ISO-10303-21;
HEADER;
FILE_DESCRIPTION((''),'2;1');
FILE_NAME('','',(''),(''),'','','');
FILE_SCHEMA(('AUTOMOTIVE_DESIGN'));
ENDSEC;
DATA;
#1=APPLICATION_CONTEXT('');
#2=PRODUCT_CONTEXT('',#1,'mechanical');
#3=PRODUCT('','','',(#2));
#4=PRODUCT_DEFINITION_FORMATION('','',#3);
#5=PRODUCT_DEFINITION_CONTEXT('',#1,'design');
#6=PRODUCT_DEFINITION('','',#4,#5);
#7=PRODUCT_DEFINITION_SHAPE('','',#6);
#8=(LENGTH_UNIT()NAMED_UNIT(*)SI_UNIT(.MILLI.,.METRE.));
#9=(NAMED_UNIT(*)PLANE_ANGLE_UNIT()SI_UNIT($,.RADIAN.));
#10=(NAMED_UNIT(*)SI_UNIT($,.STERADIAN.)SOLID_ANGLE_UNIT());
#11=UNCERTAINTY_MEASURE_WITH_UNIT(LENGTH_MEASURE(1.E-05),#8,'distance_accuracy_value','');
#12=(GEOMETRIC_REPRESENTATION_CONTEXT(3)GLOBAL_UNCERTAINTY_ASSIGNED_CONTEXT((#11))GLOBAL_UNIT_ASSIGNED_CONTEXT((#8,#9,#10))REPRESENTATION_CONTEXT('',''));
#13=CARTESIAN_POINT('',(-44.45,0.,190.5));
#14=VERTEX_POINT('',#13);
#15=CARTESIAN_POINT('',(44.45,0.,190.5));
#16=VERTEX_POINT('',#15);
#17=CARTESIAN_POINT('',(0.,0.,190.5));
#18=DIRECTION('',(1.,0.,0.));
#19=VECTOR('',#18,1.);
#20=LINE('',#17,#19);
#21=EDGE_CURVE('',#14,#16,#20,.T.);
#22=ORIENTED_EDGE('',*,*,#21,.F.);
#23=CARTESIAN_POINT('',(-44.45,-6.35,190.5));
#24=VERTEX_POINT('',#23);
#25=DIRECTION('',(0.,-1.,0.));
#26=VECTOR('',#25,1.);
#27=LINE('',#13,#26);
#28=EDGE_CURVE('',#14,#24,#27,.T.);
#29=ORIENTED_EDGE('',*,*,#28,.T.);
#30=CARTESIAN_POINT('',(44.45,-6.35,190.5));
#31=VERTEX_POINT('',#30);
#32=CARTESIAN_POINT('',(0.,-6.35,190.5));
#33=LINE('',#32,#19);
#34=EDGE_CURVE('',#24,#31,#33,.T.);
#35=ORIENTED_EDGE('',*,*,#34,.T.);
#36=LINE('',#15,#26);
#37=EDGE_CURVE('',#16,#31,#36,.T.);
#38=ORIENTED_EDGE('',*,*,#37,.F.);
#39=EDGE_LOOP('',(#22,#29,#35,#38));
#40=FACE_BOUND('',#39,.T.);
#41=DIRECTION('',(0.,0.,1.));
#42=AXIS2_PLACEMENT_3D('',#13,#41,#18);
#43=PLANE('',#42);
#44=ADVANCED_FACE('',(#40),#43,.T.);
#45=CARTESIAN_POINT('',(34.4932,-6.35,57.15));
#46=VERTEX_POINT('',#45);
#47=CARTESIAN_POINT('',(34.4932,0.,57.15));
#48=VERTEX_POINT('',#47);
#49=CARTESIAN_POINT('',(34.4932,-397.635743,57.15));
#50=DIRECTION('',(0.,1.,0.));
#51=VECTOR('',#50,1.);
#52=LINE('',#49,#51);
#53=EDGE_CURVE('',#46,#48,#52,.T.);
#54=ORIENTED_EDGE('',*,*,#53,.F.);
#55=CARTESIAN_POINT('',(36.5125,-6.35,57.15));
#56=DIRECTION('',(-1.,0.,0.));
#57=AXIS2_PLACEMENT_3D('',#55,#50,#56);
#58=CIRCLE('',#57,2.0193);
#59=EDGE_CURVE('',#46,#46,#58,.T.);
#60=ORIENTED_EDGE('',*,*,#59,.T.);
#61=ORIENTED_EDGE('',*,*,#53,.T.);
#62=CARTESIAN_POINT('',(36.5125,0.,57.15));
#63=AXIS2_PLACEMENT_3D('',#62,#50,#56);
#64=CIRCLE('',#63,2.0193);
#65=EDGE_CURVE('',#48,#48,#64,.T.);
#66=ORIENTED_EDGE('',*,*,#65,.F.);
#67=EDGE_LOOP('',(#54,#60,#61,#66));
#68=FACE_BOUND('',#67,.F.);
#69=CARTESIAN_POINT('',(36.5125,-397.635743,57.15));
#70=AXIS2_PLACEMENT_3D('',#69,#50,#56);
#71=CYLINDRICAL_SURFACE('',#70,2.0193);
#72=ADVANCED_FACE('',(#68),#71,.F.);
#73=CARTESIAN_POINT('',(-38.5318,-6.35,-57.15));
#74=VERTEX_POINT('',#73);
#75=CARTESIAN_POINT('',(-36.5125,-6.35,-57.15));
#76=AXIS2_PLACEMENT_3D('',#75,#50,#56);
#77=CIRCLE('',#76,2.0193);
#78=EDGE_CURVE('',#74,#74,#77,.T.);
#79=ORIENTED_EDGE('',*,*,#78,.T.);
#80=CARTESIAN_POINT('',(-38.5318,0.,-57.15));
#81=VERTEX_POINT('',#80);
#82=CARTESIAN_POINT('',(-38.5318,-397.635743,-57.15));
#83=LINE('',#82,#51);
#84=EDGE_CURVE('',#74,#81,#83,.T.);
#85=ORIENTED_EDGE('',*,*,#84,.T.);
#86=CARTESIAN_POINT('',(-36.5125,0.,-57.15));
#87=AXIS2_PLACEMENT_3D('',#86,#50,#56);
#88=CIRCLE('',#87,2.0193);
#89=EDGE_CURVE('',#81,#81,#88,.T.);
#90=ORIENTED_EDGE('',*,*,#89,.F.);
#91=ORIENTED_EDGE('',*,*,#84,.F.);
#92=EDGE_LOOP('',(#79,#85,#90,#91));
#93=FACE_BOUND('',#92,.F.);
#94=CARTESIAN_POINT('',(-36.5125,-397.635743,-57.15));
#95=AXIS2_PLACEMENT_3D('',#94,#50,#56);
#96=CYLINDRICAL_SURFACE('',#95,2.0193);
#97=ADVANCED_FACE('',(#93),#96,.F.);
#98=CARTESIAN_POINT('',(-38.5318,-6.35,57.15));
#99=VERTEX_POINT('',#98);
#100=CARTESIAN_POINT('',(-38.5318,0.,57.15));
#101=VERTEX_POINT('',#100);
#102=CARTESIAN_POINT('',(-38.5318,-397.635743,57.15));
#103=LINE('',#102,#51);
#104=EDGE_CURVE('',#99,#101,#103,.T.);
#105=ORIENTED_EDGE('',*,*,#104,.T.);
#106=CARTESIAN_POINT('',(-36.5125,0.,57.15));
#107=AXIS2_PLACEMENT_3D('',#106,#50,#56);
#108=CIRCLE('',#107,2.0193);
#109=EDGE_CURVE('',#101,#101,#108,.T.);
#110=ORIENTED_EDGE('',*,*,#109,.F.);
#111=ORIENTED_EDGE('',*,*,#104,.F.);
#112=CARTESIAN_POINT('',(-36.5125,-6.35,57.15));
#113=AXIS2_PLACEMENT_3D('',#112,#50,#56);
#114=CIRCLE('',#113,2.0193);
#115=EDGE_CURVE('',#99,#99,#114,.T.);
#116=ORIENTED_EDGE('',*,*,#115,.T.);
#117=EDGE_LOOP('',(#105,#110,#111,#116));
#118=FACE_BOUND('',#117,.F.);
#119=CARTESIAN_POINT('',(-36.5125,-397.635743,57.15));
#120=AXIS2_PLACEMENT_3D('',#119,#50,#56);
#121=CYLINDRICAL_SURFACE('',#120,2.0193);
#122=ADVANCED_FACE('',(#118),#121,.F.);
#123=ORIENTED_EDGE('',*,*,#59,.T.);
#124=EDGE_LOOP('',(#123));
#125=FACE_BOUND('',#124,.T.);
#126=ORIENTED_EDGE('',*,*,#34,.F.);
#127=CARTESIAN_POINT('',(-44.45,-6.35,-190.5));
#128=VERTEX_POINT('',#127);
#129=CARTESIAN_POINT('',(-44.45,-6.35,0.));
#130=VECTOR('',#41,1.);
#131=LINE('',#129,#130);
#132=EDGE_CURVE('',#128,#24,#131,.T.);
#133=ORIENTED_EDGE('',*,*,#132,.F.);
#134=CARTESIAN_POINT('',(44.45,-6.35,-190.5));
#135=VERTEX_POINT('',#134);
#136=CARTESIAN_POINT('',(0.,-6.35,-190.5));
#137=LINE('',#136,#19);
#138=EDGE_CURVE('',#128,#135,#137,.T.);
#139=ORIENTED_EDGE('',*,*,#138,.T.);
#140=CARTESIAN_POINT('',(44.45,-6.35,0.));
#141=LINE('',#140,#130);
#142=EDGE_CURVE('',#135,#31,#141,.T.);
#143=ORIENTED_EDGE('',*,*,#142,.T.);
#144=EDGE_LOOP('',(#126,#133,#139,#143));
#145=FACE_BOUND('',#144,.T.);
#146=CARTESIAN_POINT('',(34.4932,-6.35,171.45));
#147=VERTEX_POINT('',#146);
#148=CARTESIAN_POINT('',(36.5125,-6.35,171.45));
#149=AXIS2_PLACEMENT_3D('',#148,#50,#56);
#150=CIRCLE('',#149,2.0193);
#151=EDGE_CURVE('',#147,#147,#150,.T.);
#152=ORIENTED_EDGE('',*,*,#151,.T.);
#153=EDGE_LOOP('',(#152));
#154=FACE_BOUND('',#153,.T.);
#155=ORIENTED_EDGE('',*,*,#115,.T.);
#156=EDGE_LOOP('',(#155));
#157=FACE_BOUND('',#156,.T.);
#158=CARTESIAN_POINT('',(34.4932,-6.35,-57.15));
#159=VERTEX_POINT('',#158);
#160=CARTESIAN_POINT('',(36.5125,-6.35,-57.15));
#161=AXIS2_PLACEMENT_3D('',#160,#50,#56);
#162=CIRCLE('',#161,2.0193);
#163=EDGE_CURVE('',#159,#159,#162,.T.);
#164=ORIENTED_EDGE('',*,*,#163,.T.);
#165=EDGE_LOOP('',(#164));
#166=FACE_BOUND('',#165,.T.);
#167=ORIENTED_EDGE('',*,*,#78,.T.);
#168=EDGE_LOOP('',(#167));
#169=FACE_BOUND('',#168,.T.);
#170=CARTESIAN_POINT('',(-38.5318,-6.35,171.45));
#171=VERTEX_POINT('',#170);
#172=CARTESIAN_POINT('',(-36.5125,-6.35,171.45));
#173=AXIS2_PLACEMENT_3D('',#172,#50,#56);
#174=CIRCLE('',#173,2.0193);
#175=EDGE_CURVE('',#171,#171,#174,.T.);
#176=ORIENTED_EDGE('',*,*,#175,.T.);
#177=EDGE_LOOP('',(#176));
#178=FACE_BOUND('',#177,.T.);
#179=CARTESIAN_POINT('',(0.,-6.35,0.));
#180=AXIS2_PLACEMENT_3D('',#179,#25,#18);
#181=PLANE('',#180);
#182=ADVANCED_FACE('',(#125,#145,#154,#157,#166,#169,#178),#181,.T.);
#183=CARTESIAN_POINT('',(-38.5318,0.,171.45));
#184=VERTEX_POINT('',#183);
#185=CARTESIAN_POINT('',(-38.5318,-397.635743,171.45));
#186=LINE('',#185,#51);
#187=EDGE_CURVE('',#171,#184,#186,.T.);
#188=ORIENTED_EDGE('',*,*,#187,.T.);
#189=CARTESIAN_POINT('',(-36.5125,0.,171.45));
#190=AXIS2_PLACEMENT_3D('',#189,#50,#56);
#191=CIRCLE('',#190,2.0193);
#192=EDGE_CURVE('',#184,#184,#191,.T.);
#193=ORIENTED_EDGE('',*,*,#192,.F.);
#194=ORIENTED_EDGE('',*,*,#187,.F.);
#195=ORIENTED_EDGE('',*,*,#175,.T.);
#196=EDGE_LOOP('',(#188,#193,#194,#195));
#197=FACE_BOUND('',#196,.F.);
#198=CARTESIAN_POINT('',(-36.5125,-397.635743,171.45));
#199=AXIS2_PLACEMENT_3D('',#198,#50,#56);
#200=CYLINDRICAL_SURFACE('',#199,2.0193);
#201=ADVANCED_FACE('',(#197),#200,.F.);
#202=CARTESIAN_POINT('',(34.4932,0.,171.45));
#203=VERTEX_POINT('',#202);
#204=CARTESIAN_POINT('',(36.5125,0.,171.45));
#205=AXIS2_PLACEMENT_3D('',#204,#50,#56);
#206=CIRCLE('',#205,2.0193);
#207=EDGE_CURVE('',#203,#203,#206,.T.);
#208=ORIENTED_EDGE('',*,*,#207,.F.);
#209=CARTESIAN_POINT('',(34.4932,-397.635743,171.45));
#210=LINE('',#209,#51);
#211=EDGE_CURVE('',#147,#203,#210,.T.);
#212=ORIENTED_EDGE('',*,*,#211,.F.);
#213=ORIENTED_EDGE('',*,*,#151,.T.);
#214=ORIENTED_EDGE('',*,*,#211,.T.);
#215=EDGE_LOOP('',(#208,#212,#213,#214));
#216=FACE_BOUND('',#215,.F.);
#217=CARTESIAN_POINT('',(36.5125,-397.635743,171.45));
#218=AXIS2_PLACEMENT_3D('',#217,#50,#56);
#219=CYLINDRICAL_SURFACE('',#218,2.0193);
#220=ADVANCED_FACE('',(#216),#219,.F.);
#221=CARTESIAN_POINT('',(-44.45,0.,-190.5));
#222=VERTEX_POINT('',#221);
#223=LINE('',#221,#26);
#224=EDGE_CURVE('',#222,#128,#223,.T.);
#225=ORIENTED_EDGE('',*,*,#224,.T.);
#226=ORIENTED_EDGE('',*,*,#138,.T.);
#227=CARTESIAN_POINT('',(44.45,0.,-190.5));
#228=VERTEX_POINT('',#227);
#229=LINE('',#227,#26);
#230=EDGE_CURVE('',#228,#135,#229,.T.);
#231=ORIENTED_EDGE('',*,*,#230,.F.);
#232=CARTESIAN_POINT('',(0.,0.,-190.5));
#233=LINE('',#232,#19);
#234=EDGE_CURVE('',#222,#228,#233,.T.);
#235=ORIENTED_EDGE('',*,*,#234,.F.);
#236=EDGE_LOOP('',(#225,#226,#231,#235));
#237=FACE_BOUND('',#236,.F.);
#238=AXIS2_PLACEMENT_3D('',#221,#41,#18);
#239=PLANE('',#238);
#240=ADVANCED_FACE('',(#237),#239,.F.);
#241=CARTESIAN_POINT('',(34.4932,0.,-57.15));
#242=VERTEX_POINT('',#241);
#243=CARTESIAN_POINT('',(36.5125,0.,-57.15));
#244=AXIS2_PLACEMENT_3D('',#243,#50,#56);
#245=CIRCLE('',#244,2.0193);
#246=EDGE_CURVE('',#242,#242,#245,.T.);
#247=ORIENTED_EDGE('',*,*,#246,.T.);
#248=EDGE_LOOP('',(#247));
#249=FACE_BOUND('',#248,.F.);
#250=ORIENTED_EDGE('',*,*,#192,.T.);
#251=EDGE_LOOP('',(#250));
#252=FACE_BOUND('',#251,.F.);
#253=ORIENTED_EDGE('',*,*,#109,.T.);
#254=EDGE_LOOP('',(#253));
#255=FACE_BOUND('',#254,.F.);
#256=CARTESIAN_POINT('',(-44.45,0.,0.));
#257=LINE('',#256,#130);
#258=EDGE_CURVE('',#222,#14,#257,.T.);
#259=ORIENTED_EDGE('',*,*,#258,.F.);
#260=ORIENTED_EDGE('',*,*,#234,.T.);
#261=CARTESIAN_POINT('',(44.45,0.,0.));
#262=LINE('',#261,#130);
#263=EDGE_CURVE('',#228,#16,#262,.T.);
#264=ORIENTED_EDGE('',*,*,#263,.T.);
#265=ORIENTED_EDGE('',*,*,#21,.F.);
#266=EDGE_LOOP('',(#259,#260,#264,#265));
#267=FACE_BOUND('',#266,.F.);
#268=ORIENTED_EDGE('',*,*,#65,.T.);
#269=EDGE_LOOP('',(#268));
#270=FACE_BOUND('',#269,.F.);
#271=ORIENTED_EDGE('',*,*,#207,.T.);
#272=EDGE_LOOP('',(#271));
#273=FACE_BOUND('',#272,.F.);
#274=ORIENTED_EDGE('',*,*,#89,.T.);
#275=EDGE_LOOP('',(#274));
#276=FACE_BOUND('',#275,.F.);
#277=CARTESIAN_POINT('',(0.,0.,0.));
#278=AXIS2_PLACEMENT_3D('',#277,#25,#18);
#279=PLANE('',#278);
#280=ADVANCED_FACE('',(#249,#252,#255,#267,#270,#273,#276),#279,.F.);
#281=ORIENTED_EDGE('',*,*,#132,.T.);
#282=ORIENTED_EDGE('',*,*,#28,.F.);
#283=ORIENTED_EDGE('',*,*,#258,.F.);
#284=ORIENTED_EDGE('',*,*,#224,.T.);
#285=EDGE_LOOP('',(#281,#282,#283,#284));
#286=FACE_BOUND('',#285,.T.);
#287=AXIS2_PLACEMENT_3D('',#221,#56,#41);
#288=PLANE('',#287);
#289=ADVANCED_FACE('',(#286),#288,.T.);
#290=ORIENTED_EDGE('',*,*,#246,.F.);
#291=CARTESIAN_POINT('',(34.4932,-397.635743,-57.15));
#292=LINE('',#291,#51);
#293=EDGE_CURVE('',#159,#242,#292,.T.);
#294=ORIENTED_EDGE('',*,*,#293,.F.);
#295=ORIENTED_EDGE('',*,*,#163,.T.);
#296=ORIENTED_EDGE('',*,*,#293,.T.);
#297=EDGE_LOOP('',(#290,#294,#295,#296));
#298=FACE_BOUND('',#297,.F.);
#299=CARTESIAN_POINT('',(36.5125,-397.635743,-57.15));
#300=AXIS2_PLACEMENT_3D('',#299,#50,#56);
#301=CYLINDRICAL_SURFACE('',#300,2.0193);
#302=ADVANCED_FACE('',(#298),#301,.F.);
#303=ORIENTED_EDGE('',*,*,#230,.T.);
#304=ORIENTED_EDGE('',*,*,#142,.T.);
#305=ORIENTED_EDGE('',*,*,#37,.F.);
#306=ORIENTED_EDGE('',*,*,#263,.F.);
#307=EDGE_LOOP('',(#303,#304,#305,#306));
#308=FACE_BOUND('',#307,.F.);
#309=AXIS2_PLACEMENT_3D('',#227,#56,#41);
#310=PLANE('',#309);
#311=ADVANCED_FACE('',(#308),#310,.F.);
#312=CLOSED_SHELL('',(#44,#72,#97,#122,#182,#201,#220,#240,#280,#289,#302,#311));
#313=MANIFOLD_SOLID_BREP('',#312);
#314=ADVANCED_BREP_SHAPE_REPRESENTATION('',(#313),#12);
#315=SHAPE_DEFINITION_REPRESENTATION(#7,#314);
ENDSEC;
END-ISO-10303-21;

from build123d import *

# Parameters (mm, degrees)
F0_W     = 88.9
F0_H     = 381
F1_DEPTH = 6.35
F3_D     = 4.0386


with BuildPart() as f1:
    # F0 (on Front) → F1 (new body)
    with BuildSketch(Plane.XZ):
        Rectangle(F0_W, F0_H)
    extrude(amount=F1_DEPTH)

    # F3 (through all)
    with Locations(Plane.XZ.offset(6.35)):
        with Locations((-36.5125, 171.45), (36.5125, 171.45), (36.5125, 57.15), (-36.5125, 57.15), (-36.5125, -57.15), (36.5125, -57.15)):
            Hole(F3_D / 2)


solid = f1.part
